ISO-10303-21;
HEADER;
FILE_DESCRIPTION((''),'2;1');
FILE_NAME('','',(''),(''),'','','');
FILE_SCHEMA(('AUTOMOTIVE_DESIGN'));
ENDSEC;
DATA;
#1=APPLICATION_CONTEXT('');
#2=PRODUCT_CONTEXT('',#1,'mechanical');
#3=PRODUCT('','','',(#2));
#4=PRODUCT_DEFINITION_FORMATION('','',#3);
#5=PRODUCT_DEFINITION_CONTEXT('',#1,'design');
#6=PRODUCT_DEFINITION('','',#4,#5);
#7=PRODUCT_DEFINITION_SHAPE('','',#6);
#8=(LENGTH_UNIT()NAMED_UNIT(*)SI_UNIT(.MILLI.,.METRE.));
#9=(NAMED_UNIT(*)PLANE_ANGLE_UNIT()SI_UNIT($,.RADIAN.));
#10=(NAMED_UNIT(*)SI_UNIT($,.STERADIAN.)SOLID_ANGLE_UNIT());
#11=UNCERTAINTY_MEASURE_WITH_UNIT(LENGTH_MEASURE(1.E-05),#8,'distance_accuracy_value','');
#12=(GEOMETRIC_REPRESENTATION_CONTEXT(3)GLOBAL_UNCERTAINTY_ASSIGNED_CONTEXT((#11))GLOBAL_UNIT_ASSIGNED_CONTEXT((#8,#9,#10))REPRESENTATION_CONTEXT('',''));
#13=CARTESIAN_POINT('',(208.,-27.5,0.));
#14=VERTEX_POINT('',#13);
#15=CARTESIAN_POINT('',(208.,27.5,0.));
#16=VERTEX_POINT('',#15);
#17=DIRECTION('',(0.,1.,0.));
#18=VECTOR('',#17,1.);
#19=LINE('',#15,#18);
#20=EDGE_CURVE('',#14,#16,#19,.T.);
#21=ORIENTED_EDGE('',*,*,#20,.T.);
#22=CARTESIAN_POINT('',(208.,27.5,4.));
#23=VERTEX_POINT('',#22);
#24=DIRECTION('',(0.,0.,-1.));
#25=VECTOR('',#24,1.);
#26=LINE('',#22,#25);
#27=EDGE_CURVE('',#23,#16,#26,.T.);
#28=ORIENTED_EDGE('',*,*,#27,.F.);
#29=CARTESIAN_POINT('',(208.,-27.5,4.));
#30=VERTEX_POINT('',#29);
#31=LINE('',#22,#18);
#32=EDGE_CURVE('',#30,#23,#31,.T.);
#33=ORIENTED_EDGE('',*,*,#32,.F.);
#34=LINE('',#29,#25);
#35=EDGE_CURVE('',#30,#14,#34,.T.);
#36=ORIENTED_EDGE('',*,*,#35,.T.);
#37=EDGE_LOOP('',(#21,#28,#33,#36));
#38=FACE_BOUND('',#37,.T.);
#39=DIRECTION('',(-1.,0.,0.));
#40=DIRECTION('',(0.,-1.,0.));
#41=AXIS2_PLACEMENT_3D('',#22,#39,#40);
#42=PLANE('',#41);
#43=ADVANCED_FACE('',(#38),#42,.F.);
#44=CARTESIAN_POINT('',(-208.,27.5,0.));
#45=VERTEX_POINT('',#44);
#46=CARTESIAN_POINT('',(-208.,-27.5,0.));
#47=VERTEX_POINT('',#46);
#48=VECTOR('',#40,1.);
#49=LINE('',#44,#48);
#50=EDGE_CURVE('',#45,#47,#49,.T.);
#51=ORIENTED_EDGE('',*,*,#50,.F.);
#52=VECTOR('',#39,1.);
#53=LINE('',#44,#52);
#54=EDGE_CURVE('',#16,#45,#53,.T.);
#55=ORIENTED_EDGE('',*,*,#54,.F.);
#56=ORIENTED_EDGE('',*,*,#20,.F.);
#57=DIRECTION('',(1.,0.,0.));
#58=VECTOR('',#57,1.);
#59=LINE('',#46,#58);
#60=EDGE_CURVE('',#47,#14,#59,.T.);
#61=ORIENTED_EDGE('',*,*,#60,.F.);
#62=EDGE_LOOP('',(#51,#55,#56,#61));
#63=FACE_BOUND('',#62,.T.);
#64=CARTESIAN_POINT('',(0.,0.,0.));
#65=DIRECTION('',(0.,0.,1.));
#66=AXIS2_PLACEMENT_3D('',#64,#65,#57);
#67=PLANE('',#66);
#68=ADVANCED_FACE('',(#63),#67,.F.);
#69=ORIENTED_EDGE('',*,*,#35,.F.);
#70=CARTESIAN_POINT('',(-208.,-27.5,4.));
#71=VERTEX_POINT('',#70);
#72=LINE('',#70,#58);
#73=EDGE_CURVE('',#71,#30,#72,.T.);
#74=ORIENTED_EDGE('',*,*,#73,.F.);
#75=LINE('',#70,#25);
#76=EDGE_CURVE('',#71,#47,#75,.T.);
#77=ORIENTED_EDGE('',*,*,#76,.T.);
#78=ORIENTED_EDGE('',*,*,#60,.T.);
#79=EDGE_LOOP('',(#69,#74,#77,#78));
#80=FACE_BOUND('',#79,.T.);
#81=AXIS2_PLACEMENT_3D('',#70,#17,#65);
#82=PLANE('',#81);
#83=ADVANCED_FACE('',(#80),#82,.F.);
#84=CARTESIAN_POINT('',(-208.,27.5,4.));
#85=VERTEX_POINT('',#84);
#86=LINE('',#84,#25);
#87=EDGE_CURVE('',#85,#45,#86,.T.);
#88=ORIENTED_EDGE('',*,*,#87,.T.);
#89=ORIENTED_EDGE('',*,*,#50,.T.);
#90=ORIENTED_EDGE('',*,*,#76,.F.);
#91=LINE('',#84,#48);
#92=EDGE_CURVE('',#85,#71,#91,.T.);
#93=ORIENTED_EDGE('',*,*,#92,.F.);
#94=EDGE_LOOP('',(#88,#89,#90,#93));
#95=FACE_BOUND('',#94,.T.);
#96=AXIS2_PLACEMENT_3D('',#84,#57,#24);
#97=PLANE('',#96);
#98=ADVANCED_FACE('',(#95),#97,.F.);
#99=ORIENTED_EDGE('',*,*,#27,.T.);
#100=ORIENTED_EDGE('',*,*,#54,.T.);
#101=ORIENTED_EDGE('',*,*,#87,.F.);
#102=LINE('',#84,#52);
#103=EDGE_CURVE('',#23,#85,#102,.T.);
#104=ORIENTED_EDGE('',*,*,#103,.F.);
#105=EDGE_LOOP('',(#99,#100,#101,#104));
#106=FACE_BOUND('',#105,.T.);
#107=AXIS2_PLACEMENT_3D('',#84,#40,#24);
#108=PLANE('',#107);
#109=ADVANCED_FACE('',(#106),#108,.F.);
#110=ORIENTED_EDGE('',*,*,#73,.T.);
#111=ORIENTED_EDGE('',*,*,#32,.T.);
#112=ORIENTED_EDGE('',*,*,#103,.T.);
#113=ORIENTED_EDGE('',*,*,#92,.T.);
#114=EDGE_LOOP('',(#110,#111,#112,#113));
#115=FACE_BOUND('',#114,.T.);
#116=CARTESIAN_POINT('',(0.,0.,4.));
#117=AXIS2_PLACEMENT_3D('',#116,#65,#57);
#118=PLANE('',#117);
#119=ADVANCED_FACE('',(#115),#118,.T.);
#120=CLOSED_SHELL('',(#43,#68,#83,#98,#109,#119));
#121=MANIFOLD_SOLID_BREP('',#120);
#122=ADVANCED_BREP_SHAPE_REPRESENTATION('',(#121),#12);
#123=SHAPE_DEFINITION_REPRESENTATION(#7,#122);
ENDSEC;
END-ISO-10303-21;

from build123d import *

# Parameters (mm, degrees)
SKETCH_1_W      = 416
SKETCH_1_H      = 55
EXTRUDE_1_DEPTH = 4


with BuildPart() as part:
    # Эскиз1 → Бобышка-Вытянуть1 (new body)
    with BuildSketch(Plane.XY):
        Rectangle(SKETCH_1_W, SKETCH_1_H)
    extrude(amount=EXTRUDE_1_DEPTH)


solid = part.part
